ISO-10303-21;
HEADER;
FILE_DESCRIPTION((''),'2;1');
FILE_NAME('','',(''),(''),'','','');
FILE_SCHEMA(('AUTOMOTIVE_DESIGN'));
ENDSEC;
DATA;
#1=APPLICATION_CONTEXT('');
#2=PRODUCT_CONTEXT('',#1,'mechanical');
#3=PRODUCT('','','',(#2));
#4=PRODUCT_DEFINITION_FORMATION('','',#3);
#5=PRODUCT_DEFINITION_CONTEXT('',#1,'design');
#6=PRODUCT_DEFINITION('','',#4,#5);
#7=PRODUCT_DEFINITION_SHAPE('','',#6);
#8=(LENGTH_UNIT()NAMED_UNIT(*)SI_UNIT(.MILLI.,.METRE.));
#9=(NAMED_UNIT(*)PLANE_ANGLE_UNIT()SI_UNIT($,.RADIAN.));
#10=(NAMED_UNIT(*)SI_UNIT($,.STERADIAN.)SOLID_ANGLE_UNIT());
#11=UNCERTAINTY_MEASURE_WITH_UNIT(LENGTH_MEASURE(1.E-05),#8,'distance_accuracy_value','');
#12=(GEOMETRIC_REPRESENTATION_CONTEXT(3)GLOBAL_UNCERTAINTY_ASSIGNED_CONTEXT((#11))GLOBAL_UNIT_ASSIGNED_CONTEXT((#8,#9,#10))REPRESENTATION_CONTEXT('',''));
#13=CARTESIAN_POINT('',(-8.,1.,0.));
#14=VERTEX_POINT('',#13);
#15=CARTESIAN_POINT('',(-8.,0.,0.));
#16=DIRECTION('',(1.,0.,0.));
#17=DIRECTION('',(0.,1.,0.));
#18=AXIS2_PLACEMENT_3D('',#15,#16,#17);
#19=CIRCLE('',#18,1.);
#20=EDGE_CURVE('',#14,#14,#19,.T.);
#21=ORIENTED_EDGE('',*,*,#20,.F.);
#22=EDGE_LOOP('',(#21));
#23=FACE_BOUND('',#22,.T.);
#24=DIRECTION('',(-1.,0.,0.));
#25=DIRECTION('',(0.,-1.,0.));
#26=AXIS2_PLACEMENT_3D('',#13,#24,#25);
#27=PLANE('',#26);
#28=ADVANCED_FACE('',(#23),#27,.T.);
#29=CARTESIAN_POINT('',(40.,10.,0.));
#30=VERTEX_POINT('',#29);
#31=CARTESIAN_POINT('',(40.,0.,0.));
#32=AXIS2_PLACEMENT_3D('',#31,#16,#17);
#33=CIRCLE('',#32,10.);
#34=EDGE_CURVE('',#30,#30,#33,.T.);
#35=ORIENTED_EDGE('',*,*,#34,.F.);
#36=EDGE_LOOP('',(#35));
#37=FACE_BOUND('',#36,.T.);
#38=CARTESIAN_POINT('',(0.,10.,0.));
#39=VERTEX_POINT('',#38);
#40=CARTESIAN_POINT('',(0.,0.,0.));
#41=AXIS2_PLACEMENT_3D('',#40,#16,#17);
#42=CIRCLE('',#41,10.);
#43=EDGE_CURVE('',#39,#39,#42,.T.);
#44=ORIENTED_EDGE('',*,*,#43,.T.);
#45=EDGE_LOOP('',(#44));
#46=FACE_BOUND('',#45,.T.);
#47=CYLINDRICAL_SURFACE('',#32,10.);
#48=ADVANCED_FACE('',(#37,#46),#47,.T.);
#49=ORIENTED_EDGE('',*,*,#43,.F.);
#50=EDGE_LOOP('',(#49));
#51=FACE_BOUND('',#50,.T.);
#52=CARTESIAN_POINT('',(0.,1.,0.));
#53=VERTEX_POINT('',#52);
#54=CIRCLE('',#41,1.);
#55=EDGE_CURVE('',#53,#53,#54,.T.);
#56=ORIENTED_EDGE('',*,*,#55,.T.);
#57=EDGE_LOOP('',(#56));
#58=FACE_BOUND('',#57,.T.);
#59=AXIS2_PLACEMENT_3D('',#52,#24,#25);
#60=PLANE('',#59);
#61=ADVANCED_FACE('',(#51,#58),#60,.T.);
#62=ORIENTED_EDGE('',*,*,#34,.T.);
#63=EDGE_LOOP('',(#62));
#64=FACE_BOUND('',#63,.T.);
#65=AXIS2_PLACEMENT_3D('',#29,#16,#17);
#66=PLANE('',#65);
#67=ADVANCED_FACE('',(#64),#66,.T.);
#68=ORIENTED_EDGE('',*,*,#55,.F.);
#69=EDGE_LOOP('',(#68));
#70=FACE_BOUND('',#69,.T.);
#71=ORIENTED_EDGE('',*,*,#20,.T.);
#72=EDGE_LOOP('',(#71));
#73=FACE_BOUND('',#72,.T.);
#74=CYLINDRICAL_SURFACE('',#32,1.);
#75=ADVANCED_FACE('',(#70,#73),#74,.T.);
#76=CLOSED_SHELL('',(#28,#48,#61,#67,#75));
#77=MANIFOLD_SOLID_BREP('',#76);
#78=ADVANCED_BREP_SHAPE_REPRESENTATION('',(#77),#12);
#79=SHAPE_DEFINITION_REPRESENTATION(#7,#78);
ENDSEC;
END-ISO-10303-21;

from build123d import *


with BuildPart() as part:
    # Sketch1 → Revolve1 (revolve)
    with BuildSketch(Plane.XY):
        Polygon((0, 1), (0, 10), (40, 10), (40, 0), (0, 0), (-8, 0), (-8, 1), align=None)
    revolve(axis=Axis((40, 0, 0), (-1, 0, 0)))


solid = part.part
